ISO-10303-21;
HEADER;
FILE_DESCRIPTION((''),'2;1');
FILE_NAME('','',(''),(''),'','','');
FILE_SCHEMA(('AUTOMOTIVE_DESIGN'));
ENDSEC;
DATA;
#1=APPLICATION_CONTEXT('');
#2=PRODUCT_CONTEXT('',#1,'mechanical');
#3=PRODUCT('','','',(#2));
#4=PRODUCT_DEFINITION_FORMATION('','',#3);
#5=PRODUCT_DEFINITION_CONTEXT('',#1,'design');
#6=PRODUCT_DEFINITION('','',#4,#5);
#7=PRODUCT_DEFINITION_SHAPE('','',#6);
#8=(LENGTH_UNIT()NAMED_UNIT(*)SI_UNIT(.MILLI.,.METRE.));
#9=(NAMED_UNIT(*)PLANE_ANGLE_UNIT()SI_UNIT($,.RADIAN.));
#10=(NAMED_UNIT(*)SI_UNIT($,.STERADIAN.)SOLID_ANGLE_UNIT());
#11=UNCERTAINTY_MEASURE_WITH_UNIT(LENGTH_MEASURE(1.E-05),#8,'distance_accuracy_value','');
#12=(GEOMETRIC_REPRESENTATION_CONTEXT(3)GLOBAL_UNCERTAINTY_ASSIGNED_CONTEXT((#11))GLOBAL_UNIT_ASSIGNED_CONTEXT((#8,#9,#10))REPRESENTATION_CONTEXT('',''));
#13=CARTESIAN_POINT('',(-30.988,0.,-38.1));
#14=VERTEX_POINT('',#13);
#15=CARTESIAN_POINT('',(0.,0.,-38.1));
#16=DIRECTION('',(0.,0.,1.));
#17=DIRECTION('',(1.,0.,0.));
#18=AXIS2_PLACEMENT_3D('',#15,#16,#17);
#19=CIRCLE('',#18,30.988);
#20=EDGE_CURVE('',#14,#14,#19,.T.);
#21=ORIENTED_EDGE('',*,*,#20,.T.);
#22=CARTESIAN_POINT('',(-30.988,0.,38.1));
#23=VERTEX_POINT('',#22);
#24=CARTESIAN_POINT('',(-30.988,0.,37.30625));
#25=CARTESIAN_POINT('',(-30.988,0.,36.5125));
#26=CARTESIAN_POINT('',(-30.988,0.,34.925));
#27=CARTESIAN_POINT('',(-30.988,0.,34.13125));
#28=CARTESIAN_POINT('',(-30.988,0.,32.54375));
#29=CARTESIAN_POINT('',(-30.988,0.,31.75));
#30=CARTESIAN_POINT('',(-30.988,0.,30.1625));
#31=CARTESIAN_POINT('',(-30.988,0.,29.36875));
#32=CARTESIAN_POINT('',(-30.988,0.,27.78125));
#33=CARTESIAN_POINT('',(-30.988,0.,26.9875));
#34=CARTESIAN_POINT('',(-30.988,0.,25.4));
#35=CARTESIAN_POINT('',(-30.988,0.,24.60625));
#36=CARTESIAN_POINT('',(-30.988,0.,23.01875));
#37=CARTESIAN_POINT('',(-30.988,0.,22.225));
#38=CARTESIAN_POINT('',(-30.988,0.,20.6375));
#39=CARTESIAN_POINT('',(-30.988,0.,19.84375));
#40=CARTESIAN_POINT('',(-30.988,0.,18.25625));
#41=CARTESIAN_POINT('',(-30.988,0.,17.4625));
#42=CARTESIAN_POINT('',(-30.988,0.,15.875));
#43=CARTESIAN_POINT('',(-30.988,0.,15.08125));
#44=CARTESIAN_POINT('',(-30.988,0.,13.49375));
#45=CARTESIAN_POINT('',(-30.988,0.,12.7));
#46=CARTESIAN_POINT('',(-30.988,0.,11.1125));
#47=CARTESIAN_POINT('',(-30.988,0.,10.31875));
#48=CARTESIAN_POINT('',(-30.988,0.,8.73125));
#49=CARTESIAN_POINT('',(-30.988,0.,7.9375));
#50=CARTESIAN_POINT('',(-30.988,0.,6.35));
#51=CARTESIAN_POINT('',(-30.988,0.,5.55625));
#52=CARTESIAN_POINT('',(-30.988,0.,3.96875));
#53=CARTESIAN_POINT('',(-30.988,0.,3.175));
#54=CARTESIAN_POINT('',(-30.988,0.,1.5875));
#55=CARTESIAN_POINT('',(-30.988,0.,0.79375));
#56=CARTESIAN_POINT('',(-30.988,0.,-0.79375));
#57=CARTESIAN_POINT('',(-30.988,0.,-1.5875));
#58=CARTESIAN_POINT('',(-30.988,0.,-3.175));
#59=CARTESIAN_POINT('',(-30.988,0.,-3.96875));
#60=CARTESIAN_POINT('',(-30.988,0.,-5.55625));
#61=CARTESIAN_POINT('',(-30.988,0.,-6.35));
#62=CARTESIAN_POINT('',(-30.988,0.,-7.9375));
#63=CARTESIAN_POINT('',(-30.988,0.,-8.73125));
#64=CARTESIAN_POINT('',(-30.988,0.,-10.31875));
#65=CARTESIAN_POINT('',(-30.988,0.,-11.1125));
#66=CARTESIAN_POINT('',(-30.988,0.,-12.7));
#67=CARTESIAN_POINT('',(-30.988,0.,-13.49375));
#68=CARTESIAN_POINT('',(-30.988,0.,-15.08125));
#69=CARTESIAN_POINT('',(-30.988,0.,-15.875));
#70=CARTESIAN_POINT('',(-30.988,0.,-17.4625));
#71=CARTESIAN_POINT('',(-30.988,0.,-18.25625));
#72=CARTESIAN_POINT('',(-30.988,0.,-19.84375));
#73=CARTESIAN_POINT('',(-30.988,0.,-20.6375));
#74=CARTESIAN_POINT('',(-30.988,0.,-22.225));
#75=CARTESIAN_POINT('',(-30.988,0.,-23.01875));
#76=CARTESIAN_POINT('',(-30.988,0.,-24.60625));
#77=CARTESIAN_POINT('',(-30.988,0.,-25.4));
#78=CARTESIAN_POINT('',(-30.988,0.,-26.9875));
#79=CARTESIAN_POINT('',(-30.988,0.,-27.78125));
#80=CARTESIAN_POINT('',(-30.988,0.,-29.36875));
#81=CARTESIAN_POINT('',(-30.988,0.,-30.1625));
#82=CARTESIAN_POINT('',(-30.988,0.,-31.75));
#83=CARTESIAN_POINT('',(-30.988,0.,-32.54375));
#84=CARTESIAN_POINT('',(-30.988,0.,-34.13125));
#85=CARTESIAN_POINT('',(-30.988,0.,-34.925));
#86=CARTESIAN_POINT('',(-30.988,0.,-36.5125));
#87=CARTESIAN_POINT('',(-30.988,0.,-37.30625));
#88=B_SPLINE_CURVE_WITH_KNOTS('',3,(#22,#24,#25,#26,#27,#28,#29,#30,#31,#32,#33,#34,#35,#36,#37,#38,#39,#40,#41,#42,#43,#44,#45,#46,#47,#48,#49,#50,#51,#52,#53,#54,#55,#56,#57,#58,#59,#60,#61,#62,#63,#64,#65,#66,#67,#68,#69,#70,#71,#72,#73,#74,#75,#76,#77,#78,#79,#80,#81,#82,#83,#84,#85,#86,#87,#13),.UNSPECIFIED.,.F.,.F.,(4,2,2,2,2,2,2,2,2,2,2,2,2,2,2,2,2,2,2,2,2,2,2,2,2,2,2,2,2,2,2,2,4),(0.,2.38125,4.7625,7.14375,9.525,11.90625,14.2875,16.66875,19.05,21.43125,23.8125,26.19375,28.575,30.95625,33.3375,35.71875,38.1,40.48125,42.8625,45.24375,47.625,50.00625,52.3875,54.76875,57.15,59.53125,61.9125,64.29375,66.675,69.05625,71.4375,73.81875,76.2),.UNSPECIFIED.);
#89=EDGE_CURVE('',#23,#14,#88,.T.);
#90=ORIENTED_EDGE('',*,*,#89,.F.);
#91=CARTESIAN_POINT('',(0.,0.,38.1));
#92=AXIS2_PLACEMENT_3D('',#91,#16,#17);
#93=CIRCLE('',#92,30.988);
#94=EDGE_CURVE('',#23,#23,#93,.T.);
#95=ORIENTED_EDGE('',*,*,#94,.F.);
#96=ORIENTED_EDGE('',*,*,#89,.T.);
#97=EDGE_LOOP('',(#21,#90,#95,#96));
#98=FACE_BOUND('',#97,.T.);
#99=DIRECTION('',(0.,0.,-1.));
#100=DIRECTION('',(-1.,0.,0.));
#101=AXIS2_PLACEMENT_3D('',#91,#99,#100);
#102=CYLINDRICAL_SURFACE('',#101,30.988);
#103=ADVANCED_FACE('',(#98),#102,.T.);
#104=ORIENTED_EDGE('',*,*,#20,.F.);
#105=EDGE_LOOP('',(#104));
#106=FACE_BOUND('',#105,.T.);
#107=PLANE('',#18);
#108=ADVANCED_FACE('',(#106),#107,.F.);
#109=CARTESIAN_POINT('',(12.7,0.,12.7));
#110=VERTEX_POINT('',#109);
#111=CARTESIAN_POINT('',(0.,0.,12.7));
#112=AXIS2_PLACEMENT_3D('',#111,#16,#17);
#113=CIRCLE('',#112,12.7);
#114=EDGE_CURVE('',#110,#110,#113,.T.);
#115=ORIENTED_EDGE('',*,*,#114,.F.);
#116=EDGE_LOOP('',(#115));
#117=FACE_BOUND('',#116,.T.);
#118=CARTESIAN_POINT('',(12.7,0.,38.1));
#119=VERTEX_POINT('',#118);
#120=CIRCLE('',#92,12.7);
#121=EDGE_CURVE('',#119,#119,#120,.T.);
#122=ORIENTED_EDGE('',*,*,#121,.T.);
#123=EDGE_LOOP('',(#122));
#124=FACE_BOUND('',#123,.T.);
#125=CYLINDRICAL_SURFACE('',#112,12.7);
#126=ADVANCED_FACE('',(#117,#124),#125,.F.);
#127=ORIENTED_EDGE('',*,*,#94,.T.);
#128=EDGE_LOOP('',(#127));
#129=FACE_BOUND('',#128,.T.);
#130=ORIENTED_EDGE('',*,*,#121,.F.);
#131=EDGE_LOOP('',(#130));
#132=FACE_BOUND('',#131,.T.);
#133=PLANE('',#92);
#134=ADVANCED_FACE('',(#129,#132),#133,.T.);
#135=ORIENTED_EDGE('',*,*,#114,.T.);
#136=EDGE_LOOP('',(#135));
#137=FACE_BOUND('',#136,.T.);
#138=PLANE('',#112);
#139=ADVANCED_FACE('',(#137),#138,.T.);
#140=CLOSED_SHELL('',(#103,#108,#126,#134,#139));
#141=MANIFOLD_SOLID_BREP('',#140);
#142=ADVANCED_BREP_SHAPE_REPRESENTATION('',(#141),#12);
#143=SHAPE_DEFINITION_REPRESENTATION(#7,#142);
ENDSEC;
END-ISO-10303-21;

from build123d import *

# Parameters (mm, degrees)
SKETCH1_R           = 30.988
BOSS_EXTRUDE1_DEPTH = 38.1
SKETCH2_R           = 12.7
CUT_EXTRUDE1_DEPTH  = 25.4


with BuildPart() as part:
    # Sketch1 → Boss-Extrude1 (new, symmetric)
    with BuildSketch(Plane.XY):
        with Locations(Location((0, 0, 0), (0, 0, 180))):
            Circle(SKETCH1_R)
    extrude(amount=BOSS_EXTRUDE1_DEPTH, both=True)

    # Sketch2 → Cut-Extrude1 (cut)
    with BuildSketch(Plane.XY.offset(38.1)):
        Circle(SKETCH2_R)
    extrude(amount=-CUT_EXTRUDE1_DEPTH, mode=Mode.SUBTRACT)


solid = part.part
